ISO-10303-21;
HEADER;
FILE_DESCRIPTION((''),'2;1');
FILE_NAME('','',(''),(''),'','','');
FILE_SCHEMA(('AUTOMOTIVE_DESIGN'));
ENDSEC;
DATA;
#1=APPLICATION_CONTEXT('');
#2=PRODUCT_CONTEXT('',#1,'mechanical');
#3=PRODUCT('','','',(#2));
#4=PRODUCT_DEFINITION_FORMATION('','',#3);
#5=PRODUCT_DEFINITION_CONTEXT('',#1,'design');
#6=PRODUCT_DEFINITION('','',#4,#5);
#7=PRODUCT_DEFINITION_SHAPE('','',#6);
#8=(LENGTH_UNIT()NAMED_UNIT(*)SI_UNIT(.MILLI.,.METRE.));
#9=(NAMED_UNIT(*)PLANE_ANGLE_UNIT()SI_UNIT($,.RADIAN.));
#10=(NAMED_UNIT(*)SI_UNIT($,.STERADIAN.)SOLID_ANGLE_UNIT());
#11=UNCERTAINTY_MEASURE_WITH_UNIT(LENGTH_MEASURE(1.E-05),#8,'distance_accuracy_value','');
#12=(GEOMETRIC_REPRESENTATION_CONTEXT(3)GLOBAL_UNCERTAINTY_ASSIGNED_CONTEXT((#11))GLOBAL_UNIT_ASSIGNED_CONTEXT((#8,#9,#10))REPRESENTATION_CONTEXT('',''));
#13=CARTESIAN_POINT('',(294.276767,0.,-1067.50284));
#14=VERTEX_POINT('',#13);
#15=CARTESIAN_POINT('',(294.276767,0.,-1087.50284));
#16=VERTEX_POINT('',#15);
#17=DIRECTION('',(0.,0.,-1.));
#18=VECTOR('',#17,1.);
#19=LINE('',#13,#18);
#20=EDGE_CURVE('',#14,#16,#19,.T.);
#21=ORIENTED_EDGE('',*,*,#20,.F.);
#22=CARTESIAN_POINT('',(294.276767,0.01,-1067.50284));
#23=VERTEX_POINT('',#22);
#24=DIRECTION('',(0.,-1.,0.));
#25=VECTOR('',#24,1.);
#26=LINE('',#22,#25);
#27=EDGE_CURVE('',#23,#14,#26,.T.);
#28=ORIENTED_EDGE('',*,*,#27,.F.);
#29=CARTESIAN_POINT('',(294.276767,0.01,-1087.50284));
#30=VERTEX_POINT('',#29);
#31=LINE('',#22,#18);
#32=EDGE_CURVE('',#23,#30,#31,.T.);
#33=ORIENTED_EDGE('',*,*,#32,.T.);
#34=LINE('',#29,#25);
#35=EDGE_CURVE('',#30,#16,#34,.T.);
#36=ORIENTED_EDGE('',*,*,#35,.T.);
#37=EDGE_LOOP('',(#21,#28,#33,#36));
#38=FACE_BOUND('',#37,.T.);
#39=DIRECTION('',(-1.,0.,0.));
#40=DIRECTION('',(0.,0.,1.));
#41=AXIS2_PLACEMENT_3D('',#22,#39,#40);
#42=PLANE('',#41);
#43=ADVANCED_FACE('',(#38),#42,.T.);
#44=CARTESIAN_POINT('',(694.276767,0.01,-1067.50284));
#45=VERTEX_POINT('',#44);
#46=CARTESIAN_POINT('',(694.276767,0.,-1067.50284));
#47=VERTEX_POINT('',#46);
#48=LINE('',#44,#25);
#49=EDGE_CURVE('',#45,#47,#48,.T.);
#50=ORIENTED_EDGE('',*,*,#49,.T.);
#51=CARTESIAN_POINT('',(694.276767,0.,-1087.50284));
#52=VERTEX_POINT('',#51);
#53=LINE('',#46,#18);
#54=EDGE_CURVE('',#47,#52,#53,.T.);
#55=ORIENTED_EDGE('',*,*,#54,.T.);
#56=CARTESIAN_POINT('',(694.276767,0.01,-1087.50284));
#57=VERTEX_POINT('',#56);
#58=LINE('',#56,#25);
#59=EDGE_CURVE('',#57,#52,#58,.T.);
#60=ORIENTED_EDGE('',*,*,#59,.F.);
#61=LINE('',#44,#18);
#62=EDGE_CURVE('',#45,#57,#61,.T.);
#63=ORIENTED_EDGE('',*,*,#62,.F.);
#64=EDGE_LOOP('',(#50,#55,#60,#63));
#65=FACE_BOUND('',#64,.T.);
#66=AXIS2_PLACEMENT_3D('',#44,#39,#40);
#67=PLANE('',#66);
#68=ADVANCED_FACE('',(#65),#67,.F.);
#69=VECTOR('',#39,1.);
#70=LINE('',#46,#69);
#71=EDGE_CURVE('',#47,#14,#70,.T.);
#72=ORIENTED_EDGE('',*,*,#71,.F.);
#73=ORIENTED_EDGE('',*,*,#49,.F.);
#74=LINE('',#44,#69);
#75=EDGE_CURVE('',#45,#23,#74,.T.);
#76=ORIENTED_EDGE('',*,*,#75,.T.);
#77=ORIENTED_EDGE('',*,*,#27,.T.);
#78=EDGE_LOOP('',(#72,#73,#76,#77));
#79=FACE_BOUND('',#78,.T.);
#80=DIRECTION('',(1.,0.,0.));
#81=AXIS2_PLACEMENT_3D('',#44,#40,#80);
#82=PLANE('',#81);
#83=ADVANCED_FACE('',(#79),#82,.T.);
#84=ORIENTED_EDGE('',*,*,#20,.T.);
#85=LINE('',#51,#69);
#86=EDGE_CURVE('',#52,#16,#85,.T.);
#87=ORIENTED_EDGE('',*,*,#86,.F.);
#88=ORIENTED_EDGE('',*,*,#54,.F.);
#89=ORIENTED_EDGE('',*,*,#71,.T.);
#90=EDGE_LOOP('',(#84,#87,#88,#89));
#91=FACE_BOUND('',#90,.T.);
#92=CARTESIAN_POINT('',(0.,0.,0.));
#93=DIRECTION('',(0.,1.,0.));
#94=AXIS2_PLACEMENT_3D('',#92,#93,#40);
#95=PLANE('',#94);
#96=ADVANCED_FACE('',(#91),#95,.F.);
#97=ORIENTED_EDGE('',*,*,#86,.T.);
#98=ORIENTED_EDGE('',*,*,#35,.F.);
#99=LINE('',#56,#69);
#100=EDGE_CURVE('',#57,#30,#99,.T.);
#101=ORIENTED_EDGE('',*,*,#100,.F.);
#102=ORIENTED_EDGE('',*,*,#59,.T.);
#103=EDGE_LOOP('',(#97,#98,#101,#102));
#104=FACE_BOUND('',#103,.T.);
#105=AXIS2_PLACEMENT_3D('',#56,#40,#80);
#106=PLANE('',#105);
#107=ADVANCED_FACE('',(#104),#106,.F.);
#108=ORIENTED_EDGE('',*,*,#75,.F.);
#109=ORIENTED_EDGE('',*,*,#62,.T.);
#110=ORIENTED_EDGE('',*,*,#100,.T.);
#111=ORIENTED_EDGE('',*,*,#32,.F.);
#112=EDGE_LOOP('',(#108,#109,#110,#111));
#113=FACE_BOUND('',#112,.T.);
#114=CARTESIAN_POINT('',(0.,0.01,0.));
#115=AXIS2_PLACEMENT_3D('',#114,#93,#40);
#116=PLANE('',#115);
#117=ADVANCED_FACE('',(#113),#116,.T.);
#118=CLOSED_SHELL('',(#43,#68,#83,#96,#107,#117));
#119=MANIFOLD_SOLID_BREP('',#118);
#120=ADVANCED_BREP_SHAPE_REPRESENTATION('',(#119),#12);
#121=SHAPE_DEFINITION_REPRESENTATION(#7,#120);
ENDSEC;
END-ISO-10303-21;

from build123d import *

# Parameters (mm, degrees)
ESBO_O1_W                 = 400
ESBO_O1_H                 = 20
RESSALTO_EXTRUS_O11_DEPTH = 0.01


with BuildPart() as part:
    # Esboço1 → Ressalto-extrusão11 (new body)
    with BuildSketch(Plane(origin=(0, 0, 0), x_dir=(1, 0, 0), z_dir=(0, 1, 0))):
        with Locations((494.276767169, 1077.502840459)):
            Rectangle(ESBO_O1_W, ESBO_O1_H)
    extrude(amount=RESSALTO_EXTRUS_O11_DEPTH)


solid = part.part
